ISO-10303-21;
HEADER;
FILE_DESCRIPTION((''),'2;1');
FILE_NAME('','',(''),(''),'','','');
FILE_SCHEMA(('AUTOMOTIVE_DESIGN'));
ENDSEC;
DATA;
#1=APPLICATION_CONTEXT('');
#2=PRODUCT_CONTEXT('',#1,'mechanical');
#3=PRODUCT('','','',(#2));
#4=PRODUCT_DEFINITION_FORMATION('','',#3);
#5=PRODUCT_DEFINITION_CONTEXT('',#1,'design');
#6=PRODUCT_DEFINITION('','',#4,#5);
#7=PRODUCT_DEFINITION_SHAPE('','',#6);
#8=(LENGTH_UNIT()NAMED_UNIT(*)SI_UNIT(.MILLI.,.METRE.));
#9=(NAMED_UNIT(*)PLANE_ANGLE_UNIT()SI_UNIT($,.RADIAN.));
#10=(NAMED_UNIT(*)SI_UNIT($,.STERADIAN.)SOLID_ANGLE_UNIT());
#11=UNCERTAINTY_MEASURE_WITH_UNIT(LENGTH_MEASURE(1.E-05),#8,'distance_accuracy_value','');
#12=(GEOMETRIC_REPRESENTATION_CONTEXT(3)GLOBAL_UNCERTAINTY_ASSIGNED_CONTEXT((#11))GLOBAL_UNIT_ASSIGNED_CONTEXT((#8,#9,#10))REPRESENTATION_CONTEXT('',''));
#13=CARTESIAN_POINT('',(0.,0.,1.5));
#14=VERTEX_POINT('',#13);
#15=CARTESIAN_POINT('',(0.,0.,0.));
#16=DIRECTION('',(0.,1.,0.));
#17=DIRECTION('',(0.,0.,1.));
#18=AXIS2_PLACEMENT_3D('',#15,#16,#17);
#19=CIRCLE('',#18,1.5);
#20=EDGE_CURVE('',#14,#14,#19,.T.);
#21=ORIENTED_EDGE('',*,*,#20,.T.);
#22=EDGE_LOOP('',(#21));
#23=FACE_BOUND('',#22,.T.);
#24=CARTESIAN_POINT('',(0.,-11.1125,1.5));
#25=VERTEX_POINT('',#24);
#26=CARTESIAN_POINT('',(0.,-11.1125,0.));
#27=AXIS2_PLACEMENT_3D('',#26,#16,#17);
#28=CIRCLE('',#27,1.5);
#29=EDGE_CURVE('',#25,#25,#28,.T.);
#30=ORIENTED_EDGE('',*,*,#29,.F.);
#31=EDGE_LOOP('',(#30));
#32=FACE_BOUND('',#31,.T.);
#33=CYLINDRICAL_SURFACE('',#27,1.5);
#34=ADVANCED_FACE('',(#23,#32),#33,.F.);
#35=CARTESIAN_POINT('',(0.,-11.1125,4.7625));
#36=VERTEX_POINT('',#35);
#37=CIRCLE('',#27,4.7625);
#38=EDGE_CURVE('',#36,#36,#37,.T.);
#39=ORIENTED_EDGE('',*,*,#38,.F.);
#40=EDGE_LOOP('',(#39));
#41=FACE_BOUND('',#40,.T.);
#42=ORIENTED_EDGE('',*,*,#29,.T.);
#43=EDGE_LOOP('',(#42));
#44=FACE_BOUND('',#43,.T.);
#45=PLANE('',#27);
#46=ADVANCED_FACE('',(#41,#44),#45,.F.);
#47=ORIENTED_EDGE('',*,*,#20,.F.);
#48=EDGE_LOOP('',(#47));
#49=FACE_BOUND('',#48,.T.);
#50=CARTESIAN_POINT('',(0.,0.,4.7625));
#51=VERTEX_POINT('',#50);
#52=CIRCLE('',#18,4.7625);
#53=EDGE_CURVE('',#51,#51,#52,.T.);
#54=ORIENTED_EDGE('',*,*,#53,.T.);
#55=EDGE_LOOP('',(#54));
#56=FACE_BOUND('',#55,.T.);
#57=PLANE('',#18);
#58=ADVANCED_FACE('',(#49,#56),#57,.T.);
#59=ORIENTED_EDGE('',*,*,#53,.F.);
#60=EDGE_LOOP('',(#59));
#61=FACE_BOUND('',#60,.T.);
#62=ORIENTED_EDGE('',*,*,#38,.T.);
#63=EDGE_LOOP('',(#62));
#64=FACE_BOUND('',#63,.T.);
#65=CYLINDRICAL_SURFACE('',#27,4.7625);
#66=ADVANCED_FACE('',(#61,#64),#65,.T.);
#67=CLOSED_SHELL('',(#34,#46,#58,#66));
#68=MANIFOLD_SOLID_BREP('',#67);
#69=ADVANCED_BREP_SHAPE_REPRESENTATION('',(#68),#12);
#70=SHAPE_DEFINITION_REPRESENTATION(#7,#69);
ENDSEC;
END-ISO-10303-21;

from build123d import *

# Parameters (mm, degrees)
SKETCH1_R      = 4.7625
SKETCH1_R_2    = 1.5
EXTRUDE1_DEPTH = 11.1125


with BuildPart() as part:
    # Sketch1 → Extrude1 (new body)
    with BuildSketch(Plane(origin=(0, 0, 0), x_dir=(1, 0, 0), z_dir=(0, 1, 0))):
        Circle(SKETCH1_R)
        Circle(SKETCH1_R_2, mode=Mode.SUBTRACT)
    extrude(amount=-EXTRUDE1_DEPTH)


solid = part.part
